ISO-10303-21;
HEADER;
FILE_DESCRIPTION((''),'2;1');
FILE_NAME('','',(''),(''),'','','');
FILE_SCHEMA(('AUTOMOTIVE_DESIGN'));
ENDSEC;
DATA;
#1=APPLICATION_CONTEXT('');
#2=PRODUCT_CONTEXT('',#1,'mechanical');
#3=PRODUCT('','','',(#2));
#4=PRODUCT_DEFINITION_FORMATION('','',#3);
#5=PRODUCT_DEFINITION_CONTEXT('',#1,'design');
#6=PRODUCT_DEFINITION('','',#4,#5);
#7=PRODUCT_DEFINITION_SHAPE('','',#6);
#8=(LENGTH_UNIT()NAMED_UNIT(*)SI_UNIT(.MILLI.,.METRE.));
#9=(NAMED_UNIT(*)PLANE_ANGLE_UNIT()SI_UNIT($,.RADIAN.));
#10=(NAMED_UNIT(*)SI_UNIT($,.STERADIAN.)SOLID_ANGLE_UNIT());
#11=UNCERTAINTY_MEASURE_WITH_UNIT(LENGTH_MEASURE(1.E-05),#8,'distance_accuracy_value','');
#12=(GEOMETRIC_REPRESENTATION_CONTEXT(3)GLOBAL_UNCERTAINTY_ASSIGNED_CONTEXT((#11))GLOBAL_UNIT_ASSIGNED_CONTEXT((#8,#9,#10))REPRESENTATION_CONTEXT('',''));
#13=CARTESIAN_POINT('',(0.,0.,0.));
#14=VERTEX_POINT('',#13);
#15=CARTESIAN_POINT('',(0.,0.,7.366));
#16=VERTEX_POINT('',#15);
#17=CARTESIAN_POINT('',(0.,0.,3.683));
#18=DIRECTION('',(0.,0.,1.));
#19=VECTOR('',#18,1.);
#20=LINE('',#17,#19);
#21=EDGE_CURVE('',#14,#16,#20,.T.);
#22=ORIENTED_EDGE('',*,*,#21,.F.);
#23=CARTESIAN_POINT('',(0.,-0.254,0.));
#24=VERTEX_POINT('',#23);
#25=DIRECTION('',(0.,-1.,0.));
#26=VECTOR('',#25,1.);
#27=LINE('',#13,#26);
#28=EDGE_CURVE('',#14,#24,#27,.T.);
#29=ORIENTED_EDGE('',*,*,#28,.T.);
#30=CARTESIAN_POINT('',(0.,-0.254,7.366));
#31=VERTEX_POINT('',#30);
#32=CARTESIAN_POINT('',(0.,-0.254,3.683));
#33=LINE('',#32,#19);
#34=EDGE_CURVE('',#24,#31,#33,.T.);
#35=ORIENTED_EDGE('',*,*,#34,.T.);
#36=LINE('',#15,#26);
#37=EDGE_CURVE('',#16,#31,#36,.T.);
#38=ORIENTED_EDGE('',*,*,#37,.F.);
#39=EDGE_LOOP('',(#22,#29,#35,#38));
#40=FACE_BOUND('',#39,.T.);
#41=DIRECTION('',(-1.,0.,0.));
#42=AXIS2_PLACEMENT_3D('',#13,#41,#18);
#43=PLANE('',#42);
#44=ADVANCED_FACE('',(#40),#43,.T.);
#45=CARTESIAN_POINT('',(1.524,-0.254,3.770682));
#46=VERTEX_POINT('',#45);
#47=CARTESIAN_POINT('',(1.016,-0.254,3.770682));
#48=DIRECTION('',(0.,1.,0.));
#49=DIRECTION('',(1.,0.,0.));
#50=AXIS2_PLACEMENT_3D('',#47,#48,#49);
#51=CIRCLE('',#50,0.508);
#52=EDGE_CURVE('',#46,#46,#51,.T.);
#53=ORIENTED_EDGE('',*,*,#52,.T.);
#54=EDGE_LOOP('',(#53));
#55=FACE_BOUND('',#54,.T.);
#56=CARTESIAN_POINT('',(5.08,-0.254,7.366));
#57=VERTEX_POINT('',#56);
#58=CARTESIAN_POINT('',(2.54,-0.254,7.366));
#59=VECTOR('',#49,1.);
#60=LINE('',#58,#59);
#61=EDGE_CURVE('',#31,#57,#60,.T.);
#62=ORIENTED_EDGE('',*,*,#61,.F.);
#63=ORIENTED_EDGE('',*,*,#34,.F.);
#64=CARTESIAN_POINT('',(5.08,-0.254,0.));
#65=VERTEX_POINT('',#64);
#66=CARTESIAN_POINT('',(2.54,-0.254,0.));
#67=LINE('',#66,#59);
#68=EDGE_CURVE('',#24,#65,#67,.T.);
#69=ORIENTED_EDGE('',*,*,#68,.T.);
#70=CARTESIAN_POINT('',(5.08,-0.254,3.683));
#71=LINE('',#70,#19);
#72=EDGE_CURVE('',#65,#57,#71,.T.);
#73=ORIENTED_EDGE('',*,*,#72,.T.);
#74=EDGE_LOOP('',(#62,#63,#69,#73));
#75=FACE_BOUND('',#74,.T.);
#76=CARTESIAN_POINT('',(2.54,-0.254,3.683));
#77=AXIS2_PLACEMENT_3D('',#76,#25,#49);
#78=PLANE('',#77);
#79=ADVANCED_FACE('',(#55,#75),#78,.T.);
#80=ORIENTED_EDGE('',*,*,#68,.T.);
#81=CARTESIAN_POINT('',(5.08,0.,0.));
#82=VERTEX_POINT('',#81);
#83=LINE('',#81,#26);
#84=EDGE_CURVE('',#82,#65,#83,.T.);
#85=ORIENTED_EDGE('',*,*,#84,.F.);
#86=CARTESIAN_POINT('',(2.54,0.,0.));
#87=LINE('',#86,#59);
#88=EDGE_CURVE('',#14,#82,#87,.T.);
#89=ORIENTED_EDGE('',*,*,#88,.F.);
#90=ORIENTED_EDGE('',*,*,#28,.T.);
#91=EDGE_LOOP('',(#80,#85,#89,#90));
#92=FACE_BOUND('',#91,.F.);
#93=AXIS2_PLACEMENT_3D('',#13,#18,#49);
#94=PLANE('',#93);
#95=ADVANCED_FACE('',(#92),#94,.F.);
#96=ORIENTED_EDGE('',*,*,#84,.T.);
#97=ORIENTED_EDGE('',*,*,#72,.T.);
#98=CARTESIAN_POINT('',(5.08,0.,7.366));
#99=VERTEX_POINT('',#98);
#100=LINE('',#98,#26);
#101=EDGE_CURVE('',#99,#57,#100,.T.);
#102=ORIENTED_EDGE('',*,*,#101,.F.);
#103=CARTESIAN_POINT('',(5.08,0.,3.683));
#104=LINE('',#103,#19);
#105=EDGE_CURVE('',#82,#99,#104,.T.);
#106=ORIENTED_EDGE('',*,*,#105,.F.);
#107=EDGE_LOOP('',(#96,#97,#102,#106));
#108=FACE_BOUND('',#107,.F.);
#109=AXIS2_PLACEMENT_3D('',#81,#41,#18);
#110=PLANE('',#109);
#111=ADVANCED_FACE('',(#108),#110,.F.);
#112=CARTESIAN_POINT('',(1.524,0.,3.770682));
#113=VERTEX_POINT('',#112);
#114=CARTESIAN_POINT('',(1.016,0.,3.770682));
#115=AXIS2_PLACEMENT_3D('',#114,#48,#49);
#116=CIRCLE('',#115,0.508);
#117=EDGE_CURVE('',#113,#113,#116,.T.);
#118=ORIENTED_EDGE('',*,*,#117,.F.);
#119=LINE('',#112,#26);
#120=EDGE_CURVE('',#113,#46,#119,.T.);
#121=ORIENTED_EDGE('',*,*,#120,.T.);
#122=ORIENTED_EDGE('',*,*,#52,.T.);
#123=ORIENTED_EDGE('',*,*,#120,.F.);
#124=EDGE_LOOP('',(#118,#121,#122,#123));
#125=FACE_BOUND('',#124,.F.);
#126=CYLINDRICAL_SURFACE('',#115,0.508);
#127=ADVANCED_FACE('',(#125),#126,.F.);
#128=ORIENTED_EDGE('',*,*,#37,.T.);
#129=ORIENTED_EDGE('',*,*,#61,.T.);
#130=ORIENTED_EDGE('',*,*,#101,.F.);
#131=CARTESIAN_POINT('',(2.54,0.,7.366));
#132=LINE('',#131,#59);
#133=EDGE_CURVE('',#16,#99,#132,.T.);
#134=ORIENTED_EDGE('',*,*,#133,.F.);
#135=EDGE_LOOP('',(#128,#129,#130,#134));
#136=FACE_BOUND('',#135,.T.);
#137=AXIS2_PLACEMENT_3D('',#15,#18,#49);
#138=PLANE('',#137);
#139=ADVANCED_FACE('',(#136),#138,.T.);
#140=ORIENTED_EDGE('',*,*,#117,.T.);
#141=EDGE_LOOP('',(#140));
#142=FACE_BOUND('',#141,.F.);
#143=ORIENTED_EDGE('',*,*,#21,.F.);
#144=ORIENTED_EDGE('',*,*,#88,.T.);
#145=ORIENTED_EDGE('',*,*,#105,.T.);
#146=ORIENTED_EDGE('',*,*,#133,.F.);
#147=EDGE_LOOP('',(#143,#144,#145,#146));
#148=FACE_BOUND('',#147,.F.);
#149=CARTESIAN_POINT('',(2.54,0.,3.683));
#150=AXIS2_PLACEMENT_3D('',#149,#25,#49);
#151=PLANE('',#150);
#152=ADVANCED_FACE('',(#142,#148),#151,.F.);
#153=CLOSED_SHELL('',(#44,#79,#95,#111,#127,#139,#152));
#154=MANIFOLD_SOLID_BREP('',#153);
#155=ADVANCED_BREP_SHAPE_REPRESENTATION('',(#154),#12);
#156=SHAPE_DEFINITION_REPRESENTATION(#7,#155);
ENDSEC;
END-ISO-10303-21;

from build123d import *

# Parameters (mm, degrees)
F0_W     = 5.08
F0_H     = 7.366
F1_DEPTH = 0.254


with BuildPart() as f1:
    # F0 (on Front) → F1 (new body)
    with BuildSketch(Plane.XZ):
        with Locations((2.54, 3.683)):
            Rectangle(F0_W, F0_H)
        with BuildLine():
            ThreePointArc((0.508, 3.770682), (1.016, 4.278682), (1.524, 3.770682))
            ThreePointArc((1.524, 3.770682), (1.016, 3.262682), (0.508, 3.770682))
        make_face(mode=Mode.SUBTRACT)
    extrude(amount=F1_DEPTH)


solid = f1.part
